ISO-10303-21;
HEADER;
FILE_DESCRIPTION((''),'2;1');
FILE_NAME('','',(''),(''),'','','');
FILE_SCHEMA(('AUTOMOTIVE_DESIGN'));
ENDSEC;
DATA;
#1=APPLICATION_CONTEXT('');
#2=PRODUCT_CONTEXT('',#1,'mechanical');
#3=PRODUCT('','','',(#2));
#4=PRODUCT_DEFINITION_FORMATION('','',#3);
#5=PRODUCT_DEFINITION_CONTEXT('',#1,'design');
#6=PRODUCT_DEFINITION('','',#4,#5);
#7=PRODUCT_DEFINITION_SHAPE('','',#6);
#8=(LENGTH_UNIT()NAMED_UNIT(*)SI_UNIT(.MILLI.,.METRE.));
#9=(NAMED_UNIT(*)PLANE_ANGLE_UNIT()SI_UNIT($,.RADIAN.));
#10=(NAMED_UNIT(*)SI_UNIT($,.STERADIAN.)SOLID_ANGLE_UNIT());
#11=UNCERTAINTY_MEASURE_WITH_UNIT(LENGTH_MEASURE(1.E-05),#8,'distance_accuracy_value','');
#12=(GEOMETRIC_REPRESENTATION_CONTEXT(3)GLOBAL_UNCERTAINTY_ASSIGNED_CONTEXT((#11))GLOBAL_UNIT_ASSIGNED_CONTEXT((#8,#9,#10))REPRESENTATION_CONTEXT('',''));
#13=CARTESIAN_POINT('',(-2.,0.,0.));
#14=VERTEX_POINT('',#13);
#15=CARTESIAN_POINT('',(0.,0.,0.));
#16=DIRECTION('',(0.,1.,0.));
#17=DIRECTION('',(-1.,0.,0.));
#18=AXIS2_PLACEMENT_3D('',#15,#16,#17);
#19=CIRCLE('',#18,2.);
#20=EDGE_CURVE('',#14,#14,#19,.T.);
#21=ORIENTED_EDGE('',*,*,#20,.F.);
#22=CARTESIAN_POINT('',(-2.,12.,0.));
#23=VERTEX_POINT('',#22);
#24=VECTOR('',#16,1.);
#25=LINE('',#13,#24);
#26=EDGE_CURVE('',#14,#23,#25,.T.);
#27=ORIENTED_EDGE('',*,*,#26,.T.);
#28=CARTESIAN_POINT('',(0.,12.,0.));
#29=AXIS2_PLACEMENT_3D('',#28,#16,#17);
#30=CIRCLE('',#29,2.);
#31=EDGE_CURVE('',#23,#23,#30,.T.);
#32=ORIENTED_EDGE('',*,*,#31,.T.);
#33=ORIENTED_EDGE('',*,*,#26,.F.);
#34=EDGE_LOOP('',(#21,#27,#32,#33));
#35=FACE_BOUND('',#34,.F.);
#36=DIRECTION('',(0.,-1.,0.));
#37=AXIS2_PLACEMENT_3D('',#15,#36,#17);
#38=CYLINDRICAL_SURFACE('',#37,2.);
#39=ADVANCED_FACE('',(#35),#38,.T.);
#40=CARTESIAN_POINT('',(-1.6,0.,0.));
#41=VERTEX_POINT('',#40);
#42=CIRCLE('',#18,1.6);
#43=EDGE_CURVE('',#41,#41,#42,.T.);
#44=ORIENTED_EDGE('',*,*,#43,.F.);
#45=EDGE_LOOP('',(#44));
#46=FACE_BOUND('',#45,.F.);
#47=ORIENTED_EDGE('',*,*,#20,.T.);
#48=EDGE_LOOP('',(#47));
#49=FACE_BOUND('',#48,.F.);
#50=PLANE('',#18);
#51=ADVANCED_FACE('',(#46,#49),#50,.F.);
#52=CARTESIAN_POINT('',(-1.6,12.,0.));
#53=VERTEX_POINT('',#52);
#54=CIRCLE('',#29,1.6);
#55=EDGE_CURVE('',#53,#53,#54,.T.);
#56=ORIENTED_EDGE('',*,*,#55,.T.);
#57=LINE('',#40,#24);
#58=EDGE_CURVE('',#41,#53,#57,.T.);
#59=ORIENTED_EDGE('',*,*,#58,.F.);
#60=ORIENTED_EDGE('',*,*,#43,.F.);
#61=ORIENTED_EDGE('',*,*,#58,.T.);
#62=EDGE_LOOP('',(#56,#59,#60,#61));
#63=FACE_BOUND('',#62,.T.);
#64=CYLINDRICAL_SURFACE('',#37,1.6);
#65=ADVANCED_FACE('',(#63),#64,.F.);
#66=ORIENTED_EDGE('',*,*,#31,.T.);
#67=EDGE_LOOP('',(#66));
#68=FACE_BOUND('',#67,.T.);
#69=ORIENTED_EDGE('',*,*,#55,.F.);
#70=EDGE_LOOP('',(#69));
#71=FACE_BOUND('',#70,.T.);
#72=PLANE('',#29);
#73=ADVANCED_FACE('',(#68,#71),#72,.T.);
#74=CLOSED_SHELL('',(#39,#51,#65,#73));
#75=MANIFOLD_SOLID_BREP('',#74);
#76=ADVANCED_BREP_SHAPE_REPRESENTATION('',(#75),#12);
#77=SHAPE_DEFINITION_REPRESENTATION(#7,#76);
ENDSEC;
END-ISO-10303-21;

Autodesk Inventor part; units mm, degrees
ref_plane "YZ Plane" through (0, 0, 0) normal (1, 0, 0) x (0, 1, 0)
ref_plane "XZ Plane" through (0, 0, 0) normal (0, 1, 0) x (-1, 0, 0)
ref_plane "XY Plane" through (0, 0, 0) normal (0, 0, 1) x (1, 0, 0)
sketch "Sketch1" plane through (0, 0, 0) normal (0, 1, 0) x (-1, 0, 0)
  circle A0 centre (0, 0) radius 1.6
  circle A1 centre (0, 0) radius 2
  dimension "d0" = 3.2
  dimension "d1" = 4
extrude "Extrusion1" add sketch "Sketch1" along normal blind 12
properties part number "InnerPinSpacer"
